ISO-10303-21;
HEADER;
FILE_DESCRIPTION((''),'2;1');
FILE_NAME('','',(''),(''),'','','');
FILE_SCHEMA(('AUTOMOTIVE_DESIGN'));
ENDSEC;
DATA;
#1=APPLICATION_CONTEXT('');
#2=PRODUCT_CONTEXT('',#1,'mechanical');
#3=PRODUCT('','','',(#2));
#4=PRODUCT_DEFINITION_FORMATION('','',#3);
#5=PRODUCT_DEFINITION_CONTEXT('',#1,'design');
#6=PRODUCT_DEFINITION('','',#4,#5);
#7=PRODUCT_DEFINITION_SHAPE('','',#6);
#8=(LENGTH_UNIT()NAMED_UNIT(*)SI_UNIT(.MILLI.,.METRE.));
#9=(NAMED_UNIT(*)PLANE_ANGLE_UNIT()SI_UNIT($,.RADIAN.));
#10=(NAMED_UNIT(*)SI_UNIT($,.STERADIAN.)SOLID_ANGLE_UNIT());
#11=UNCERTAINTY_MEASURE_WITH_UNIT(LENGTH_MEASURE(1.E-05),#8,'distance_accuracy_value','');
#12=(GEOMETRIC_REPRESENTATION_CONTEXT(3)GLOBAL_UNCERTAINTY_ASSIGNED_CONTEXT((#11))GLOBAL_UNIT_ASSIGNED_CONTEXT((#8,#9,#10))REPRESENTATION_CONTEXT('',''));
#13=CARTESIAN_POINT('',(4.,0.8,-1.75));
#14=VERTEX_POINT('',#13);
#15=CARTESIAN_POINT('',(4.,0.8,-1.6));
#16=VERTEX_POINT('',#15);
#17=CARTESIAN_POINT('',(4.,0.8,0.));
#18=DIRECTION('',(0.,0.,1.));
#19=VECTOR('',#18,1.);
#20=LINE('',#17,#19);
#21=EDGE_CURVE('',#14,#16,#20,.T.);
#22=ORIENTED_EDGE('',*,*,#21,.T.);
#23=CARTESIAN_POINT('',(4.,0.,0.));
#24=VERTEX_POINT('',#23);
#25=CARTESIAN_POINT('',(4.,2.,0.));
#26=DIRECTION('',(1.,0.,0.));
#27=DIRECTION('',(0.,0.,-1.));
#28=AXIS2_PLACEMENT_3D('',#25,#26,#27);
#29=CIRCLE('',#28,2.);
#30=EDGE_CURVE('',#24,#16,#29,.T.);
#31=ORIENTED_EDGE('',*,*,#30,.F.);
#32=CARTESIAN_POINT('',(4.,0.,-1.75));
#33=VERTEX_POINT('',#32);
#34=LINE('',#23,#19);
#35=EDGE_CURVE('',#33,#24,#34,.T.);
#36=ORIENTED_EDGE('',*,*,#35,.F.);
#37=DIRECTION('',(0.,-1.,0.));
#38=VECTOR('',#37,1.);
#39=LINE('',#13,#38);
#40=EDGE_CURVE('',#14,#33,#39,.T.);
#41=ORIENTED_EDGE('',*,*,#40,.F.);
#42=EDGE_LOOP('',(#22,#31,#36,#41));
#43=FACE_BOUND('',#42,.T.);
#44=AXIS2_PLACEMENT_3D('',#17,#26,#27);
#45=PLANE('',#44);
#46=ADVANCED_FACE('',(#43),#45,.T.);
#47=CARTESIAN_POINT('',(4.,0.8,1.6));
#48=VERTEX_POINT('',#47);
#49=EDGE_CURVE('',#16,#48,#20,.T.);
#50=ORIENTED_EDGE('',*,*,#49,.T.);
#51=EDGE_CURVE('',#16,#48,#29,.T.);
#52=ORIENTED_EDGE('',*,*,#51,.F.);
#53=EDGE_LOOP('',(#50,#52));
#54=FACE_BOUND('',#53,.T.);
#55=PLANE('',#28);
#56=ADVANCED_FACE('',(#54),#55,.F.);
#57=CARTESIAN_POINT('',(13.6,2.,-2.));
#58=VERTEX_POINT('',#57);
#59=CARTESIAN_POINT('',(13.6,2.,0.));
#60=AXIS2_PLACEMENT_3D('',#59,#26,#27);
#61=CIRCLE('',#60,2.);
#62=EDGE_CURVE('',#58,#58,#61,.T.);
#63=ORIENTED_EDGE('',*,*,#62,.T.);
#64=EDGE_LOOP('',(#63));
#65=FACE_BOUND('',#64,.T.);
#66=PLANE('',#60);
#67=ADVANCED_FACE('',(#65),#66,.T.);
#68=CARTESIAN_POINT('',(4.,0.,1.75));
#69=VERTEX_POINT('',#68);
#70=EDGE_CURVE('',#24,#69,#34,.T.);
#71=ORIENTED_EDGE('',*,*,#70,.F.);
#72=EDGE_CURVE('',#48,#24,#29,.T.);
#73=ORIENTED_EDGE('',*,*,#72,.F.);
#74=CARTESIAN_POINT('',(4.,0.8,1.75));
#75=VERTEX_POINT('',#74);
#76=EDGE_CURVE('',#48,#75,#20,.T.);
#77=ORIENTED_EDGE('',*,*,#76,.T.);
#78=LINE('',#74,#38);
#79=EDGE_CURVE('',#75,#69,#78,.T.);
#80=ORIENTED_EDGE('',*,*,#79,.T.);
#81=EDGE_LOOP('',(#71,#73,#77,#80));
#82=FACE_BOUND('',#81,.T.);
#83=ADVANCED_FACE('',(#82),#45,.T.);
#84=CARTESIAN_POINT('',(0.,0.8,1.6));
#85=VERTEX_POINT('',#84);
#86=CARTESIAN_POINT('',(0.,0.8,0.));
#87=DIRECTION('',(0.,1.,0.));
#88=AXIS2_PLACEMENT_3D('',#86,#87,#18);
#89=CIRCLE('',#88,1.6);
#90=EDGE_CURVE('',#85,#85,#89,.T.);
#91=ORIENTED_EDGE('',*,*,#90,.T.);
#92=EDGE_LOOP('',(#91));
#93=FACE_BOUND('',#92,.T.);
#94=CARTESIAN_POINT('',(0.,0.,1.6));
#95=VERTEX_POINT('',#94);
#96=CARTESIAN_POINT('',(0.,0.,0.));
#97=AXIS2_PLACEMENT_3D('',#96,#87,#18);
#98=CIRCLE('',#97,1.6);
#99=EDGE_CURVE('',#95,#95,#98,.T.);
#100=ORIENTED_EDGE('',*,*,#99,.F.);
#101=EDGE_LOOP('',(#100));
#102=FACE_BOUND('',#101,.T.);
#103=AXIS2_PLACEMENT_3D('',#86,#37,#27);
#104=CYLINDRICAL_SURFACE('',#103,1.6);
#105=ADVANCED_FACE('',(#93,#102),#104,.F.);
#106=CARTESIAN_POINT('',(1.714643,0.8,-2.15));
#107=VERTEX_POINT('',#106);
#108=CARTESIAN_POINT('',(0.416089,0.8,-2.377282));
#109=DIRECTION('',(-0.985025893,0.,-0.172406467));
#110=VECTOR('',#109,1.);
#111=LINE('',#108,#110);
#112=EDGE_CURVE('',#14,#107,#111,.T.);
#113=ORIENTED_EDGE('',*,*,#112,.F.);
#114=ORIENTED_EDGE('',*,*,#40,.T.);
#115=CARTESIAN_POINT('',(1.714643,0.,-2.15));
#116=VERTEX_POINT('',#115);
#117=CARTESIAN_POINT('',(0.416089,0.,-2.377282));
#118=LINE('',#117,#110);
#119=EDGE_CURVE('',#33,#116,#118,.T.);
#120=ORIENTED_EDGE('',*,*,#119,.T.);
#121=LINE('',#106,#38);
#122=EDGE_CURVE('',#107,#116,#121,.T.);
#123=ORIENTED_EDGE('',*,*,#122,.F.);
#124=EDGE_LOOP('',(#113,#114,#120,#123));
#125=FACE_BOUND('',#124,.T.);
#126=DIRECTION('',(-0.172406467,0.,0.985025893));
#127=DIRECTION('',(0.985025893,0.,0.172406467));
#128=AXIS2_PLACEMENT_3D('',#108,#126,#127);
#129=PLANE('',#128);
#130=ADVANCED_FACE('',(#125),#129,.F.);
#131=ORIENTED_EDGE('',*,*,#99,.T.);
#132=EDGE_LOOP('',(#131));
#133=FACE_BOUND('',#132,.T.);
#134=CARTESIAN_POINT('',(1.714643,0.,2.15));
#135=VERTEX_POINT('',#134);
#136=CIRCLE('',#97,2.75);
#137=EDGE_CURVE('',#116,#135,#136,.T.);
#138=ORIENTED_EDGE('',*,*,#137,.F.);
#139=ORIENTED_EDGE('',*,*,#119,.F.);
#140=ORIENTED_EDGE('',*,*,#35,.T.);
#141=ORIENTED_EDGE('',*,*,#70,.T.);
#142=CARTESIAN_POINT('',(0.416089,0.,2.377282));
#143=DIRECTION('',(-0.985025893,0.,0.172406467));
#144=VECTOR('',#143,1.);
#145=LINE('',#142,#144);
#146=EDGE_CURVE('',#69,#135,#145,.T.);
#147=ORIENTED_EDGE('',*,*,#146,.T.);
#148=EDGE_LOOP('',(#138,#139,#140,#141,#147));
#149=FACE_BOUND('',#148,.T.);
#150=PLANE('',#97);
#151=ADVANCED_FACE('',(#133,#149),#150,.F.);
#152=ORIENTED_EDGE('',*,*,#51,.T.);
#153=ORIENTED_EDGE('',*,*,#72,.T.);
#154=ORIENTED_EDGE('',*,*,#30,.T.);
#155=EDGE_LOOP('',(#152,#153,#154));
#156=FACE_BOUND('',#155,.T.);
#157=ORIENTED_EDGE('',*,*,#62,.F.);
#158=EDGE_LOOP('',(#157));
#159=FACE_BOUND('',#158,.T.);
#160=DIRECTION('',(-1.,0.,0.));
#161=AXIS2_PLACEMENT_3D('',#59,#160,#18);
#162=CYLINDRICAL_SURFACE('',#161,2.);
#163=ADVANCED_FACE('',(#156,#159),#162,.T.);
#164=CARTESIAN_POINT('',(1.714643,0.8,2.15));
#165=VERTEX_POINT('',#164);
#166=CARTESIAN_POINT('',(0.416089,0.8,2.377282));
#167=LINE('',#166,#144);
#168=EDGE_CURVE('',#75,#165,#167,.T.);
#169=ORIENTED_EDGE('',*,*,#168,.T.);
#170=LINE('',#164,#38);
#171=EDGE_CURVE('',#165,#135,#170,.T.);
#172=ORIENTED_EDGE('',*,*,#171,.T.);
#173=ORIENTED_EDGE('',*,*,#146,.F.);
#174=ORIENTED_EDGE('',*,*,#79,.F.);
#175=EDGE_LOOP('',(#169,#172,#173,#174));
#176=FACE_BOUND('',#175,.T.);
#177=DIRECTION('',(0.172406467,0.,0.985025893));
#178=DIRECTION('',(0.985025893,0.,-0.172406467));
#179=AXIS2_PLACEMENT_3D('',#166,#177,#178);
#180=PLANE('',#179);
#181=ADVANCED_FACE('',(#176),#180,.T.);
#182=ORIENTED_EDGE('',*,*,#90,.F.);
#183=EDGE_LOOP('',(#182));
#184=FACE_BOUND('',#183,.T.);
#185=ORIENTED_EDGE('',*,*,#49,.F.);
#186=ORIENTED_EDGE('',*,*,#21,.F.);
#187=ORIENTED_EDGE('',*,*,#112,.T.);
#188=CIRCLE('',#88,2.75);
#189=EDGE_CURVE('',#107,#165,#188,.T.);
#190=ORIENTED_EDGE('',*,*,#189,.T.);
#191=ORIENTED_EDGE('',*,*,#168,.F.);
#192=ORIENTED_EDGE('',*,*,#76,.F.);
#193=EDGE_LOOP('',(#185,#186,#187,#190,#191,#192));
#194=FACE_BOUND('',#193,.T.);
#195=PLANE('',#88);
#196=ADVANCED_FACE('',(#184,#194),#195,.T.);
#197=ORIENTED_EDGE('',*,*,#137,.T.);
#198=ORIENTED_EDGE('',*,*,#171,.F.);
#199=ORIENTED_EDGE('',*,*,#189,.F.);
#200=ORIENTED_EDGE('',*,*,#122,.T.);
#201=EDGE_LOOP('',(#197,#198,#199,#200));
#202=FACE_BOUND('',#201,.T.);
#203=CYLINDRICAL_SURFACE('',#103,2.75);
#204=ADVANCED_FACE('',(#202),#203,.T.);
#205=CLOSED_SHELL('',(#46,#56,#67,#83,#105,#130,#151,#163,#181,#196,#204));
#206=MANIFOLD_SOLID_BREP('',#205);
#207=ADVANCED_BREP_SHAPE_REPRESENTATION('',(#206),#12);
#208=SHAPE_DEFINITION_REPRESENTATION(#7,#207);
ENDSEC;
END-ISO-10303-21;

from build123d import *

# Parameters (mm, degrees)
SKETCH1_R           = 1.6
BOSS_EXTRUDE1_DEPTH = 0.8
SKETCH2_R           = 2
BOSS_EXTRUDE2_DEPTH = 9.6


with BuildPart() as part:
    # Sketch1 → Boss-Extrude1 (new body)
    with BuildSketch(Plane(origin=(0, 0, 0), x_dir=(1, 0, 0), z_dir=(0, 1, 0))):
        with BuildLine():
            Line((4, -1.75), (4, 1.75))
            Line((4, 1.75), (1.71464282, 2.15))
            ThreePointArc((1.71464282, 2.15), (-2.75, 0), (1.71464282, -2.15))
            Line((1.71464282, -2.15), (4, -1.75))
        make_face()
        Circle(SKETCH1_R, mode=Mode.SUBTRACT)
    extrude(amount=BOSS_EXTRUDE1_DEPTH)

    # Sketch2 → Boss-Extrude2 (add)
    with BuildSketch(Plane(origin=(4, 0, 0), x_dir=(0, 0, -1), z_dir=(1, 0, 0))):
        with Locations((0, 2)):
            Circle(SKETCH2_R)
    extrude(amount=BOSS_EXTRUDE2_DEPTH)


solid = part.part
